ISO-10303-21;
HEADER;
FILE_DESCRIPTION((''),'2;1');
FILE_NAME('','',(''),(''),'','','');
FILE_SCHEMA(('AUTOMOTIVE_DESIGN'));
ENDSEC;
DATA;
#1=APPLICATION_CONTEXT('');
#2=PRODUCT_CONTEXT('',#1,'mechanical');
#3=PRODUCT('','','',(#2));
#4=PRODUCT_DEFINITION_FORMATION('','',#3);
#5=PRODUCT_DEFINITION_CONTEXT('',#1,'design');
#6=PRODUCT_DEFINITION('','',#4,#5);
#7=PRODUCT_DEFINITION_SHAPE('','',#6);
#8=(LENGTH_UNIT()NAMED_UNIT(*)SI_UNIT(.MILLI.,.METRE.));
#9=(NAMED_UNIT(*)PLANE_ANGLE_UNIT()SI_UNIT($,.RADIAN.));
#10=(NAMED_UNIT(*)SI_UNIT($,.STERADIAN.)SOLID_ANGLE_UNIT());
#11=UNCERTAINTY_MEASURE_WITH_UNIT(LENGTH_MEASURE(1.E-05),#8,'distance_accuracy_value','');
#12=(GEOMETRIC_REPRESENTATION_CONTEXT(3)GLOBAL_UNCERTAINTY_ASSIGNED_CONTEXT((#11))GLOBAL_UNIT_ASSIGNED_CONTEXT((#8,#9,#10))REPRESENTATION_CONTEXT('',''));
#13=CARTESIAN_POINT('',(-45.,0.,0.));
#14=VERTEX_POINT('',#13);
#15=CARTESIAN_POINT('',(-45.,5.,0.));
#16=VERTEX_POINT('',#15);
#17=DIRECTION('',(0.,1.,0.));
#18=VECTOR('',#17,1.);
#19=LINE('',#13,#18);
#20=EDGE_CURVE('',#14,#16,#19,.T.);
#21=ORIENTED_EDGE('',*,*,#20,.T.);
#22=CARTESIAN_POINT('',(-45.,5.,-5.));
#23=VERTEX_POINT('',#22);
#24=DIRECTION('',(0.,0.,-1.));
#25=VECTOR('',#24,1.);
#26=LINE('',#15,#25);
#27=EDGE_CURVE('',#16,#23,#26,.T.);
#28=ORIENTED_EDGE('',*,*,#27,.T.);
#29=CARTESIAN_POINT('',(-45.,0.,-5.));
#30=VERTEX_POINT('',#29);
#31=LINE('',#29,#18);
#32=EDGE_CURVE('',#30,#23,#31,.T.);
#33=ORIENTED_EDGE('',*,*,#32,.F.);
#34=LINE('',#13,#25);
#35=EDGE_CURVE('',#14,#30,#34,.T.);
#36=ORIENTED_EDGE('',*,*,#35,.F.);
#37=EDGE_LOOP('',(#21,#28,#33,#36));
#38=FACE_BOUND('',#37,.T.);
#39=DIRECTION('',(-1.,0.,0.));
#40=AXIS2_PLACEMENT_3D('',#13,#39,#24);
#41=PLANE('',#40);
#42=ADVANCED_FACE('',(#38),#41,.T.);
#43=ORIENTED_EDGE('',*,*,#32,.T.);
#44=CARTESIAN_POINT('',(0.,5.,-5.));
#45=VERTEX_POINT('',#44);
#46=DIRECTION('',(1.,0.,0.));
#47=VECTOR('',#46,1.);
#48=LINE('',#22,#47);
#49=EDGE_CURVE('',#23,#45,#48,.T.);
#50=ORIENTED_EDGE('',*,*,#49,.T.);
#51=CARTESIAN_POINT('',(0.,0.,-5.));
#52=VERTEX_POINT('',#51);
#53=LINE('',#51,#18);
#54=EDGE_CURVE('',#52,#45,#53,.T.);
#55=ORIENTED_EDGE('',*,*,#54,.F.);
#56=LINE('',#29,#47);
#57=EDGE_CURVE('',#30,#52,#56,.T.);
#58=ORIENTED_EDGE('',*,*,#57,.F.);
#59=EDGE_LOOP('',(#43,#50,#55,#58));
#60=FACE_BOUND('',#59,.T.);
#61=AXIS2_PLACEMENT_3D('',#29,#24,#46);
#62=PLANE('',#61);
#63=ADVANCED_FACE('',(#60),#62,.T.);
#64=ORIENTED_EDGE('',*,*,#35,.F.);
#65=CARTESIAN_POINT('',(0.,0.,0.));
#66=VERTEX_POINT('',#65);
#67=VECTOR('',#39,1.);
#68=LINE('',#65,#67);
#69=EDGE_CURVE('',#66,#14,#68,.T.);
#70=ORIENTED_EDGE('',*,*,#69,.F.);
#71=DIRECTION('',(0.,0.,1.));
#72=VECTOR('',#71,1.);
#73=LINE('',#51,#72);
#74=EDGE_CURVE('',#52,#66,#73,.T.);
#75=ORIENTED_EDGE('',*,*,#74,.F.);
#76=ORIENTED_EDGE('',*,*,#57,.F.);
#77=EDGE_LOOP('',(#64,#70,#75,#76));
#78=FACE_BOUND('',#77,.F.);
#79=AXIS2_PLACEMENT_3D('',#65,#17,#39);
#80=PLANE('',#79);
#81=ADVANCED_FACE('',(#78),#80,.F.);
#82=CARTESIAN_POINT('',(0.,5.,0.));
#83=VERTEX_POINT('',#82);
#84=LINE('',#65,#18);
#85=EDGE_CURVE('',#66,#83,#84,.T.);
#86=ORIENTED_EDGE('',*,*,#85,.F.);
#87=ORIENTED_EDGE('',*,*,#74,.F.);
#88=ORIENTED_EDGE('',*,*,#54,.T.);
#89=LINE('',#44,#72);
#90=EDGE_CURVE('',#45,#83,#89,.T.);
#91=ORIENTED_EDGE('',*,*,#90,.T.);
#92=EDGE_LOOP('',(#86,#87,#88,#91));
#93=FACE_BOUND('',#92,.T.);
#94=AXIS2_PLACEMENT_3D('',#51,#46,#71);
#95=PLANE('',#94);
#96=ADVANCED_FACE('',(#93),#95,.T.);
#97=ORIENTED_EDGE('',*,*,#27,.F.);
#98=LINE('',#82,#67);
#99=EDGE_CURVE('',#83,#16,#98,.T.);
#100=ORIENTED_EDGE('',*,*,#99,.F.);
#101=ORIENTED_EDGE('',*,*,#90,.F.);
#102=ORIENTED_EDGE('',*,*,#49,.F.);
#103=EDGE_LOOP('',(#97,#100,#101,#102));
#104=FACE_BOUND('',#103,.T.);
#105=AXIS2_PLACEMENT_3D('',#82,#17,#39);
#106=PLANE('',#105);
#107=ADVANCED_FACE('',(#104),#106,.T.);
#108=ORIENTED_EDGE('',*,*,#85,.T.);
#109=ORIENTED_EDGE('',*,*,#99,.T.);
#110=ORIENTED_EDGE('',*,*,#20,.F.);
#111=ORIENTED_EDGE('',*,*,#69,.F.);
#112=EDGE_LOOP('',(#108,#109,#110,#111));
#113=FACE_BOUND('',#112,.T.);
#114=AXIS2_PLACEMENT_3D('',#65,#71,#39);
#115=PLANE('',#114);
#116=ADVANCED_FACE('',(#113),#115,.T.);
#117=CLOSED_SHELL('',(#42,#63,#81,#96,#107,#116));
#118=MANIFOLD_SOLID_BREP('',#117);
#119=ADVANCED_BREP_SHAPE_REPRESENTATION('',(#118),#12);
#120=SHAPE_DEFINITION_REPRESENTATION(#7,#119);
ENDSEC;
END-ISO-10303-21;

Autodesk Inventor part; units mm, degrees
ref_plane "YZ Plane" through (0, 0, 0) normal (1, 0, 0) x (0, 1, 0)
ref_plane "XZ Plane" through (0, 0, 0) normal (0, 1, 0) x (-1, 0, 0)
ref_plane "XY Plane" through (0, 0, 0) normal (0, 0, 1) x (1, 0, 0)
sketch "Sketch1" plane through (0, 0, 0) normal (0, 1, 0) x (-1, 0, 0)
  line L0 (0, 0) -> (45, 0)
  line L1 (45, 0) -> (45, -5)
  line L2 (45, -5) -> (0, -5)
  line L3 (0, -5) -> (0, 0)
  dimension "d0" = 45
  dimension "d1" = 5
extrude "Extrusion1" add sketch "Sketch1" along normal blind 5
properties part number "short_rod"
